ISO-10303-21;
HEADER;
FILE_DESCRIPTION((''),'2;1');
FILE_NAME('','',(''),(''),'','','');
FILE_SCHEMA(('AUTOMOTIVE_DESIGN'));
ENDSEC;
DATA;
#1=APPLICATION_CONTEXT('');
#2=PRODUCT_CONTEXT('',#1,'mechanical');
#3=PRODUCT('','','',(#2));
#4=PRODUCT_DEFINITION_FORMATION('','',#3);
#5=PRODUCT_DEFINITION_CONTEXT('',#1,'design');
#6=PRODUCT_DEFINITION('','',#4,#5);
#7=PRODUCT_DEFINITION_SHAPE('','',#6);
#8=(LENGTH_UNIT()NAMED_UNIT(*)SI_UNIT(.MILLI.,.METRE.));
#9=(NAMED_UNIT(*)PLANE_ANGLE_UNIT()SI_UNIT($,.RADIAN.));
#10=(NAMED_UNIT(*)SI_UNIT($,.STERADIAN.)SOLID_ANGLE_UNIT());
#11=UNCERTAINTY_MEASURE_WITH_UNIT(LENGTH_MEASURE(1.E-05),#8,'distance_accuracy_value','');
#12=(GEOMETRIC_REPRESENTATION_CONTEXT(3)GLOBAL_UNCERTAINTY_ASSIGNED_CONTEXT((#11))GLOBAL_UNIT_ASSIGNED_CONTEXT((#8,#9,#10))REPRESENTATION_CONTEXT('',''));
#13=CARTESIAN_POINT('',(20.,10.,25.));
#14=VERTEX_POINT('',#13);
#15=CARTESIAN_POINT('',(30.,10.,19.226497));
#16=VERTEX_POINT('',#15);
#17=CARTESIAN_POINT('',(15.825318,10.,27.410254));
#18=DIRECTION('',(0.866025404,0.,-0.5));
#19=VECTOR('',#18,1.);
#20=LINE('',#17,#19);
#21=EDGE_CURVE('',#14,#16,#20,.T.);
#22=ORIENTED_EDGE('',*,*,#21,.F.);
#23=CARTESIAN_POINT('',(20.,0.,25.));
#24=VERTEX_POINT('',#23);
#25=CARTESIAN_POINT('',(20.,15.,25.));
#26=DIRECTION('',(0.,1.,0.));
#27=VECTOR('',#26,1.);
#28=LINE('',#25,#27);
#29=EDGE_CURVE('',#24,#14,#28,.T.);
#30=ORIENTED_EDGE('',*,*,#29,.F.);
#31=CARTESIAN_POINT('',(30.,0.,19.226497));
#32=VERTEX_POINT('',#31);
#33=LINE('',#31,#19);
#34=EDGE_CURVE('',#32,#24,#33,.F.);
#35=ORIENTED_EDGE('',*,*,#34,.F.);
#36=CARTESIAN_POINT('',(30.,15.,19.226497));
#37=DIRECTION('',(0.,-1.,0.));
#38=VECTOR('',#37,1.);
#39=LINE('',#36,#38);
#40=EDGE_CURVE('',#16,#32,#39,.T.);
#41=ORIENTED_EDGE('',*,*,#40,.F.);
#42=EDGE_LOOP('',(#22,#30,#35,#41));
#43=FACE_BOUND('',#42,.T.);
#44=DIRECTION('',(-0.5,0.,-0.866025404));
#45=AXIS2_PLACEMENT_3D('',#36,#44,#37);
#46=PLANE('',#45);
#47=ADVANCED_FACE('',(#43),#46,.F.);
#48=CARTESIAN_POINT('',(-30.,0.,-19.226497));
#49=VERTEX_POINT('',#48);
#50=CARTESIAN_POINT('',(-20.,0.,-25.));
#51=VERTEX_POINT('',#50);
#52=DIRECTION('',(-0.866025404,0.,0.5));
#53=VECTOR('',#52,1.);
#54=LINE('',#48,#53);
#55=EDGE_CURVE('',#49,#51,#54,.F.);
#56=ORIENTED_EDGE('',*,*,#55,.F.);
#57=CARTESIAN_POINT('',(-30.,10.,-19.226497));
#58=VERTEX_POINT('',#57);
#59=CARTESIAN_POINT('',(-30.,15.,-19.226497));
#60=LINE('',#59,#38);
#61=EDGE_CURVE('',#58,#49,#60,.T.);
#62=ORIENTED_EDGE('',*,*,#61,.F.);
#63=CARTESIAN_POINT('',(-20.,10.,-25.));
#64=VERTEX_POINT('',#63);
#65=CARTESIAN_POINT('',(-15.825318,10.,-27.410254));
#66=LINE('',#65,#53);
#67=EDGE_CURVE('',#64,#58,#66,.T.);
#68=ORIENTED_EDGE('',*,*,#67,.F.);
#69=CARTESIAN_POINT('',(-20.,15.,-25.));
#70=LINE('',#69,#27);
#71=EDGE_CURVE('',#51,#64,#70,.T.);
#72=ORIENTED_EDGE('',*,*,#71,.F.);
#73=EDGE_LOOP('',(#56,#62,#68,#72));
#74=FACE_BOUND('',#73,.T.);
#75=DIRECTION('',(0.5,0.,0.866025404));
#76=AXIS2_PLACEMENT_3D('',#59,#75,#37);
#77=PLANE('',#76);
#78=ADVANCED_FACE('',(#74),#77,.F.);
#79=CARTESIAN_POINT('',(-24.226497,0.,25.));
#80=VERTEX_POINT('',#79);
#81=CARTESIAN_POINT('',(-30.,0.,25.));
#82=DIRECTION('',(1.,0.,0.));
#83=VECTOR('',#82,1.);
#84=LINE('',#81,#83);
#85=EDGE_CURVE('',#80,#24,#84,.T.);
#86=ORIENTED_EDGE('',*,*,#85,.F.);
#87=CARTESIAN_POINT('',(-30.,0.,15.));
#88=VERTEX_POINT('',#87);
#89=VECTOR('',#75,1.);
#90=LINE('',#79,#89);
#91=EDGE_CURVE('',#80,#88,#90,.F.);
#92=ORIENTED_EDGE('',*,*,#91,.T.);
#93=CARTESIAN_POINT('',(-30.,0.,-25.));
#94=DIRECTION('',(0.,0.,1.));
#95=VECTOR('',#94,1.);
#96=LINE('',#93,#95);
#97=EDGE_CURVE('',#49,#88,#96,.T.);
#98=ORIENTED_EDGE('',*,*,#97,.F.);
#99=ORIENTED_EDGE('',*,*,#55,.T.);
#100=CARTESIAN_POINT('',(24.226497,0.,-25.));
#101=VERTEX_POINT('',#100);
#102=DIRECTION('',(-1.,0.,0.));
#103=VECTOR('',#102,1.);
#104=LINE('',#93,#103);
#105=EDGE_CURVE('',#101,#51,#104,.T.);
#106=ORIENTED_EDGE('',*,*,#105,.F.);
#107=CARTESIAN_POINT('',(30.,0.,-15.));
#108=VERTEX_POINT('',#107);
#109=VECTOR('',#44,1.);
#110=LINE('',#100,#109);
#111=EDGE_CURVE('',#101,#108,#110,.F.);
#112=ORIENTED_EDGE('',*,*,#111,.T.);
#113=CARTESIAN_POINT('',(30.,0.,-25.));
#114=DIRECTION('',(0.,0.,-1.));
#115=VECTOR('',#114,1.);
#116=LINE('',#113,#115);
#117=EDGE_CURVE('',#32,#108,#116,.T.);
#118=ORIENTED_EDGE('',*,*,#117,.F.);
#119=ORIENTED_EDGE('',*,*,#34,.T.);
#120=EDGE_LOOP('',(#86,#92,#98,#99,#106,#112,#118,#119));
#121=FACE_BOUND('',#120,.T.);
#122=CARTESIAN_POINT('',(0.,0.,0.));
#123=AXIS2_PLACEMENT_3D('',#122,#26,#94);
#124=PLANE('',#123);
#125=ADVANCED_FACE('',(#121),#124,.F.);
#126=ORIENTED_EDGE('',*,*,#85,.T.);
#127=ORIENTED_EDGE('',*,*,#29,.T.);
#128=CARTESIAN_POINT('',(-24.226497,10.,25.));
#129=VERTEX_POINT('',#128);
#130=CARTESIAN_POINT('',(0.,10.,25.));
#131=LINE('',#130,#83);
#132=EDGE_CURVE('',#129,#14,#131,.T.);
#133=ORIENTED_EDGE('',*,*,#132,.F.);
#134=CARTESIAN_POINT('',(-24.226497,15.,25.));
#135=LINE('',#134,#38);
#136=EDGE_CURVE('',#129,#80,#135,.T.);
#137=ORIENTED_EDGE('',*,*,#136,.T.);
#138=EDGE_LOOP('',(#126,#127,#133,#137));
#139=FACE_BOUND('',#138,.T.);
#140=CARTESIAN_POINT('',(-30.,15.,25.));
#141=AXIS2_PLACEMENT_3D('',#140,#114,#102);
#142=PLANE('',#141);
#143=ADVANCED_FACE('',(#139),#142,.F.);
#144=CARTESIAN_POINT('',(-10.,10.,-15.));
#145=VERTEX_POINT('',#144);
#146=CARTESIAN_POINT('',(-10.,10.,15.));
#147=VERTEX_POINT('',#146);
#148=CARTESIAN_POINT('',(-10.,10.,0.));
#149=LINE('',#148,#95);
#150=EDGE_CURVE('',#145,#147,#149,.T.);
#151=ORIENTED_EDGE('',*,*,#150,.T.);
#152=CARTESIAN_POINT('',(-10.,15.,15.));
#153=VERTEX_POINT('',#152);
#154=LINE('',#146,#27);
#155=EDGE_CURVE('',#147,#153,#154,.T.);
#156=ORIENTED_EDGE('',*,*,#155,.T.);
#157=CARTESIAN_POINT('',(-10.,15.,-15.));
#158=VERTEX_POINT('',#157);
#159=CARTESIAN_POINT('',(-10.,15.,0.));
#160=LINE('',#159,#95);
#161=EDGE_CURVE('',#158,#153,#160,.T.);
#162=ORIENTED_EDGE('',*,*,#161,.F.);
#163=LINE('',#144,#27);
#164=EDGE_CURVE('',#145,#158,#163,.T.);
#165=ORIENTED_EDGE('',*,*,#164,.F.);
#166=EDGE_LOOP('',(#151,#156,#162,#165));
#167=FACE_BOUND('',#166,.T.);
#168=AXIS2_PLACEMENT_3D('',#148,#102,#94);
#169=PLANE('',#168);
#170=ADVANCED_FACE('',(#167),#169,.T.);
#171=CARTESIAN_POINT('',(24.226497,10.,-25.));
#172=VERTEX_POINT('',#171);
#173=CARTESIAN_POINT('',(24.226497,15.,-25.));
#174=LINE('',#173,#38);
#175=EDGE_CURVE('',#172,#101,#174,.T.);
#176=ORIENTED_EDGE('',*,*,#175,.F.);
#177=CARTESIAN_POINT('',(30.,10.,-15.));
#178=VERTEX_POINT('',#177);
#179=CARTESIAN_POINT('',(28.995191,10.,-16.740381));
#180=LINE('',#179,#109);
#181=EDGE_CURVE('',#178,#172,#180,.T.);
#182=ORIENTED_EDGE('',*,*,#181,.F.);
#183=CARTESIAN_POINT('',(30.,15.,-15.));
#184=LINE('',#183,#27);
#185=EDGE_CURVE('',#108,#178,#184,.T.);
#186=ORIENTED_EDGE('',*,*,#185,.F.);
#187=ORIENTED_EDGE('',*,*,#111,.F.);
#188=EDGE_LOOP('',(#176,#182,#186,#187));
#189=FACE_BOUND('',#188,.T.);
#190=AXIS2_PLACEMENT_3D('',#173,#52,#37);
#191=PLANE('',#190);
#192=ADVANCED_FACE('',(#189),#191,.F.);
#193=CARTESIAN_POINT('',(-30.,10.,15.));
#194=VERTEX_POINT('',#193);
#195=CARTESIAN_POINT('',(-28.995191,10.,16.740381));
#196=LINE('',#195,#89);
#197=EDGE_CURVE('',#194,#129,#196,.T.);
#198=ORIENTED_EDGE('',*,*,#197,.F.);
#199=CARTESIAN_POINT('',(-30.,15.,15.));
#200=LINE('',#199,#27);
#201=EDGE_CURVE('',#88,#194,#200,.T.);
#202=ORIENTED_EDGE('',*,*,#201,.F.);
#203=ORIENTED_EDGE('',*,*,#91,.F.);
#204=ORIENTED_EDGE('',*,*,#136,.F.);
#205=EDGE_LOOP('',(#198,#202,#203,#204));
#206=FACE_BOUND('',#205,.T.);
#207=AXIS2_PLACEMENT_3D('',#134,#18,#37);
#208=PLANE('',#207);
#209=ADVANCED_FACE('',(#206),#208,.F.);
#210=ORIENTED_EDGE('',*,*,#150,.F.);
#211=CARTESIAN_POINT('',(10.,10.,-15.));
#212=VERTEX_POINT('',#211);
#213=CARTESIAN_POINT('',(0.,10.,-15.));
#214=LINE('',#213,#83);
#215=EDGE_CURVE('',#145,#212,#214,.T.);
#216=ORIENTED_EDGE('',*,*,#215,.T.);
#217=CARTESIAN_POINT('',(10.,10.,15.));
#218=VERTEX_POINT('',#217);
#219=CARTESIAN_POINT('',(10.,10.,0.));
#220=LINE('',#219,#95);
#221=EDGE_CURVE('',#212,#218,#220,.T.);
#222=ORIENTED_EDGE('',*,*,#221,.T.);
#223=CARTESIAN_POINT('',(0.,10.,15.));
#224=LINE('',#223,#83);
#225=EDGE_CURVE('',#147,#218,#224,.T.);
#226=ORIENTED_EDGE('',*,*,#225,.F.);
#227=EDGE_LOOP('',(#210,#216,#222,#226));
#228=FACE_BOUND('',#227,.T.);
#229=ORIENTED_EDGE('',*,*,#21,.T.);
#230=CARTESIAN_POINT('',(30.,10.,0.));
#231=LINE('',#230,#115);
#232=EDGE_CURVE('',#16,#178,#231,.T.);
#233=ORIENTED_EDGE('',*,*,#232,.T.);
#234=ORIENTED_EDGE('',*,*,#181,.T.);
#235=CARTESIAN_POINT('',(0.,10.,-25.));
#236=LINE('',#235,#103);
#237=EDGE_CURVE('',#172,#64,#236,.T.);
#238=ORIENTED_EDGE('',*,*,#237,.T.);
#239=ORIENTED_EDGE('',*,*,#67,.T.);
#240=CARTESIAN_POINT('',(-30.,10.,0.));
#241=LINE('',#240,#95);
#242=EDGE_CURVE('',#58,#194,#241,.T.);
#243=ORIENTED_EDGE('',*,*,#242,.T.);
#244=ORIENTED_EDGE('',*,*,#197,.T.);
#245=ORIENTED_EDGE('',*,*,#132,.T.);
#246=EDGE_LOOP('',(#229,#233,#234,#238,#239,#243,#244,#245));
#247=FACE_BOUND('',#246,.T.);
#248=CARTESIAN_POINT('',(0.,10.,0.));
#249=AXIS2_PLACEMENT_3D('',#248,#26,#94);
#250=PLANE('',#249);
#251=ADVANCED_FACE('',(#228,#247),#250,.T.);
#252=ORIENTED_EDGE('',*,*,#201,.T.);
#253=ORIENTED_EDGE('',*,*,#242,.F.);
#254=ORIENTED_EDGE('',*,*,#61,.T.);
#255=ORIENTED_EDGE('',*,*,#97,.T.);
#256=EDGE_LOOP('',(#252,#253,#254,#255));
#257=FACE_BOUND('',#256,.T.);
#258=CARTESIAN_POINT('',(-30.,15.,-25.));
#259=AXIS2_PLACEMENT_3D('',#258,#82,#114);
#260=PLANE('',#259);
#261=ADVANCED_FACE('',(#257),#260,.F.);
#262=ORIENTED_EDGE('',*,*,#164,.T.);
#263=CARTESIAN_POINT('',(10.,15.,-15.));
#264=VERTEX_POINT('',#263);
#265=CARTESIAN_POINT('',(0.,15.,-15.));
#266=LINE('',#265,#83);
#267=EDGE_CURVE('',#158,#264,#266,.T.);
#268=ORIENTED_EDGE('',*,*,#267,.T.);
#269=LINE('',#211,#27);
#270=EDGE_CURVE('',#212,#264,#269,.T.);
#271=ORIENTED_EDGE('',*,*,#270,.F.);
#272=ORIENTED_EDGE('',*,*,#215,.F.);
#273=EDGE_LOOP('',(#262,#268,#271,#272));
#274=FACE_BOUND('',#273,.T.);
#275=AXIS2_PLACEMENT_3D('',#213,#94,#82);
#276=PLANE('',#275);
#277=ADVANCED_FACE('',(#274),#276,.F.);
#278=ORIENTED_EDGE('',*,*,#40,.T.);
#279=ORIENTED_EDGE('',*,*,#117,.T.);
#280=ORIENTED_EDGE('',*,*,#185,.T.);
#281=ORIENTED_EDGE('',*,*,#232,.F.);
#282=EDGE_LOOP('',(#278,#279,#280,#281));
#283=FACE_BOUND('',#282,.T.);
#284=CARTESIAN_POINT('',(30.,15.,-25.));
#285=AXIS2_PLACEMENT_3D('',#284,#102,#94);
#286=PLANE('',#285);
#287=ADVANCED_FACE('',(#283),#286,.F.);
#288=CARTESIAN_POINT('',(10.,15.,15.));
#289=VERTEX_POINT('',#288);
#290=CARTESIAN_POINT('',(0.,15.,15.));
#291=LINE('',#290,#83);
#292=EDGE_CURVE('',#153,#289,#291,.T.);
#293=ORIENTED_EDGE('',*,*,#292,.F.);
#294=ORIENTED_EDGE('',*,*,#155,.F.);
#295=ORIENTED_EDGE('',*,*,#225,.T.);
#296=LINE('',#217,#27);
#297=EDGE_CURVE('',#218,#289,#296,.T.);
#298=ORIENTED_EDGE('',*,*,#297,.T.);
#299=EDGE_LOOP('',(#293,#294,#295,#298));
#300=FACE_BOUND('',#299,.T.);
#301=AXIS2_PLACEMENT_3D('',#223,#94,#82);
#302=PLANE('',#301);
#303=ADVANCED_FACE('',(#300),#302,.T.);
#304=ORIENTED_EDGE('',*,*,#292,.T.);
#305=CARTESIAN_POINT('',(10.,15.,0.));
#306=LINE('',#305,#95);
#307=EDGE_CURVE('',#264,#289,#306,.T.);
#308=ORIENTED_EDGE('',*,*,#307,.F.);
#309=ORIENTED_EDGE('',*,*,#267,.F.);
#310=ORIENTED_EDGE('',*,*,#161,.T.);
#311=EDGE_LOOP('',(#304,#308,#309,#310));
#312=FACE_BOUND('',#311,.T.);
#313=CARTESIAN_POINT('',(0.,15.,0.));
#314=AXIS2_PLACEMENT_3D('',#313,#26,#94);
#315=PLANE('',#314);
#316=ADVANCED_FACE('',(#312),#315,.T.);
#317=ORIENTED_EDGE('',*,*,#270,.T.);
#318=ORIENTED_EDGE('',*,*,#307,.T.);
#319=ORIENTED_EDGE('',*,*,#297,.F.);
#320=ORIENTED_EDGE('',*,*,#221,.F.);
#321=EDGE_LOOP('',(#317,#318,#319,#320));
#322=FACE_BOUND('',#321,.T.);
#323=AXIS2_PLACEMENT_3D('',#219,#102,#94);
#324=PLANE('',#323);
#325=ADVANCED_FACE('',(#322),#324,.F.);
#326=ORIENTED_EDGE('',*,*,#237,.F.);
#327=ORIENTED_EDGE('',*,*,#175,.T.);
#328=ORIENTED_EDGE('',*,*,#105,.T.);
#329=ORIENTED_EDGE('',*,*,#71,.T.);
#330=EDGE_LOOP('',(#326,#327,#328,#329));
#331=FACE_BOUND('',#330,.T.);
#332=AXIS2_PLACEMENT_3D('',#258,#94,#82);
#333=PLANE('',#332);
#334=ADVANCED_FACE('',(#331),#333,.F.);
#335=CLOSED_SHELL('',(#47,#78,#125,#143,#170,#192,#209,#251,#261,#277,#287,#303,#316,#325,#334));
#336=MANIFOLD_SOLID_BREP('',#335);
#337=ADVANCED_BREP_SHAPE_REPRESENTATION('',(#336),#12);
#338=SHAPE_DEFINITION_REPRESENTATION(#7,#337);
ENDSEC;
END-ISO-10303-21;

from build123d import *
from OCP.BRepFilletAPI import BRepFilletAPI_MakeChamfer

# Parameters (mm, degrees)
SKETCH1_W           = 60
SKETCH1_H           = 50
BOSS_EXTRUDE1_DEPTH = 15
CHAMFER1_SIZE       = 10
CHAMFER1_SIZE2      = 5.773502692
SKETCH2_W           = 20
SKETCH2_H           = 30
CUT_EXTRUDE1_DEPTH  = 5


with BuildPart() as part:
    # Sketch1 → Boss-Extrude1 (new body)
    with BuildSketch(Plane(origin=(0, 0, 0), x_dir=(1, 0, 0), z_dir=(0, 1, 0))):
        Rectangle(SKETCH1_W, SKETCH1_H)
    extrude(amount=BOSS_EXTRUDE1_DEPTH)

    # Chamfer1: one chamfer whose edges measure the first distance from different faces: ONE call of the kernel's chamfer builder (chamfer() names one face for all edges)
    chamfer1_edges_1 = [part.edges().sort_by_distance(p)[0] for p in [
        (30, 7.5, 25),
    ]]
    chamfer1_side_1 = [part.faces().sort_by_distance(p)[0] for p in [
        (0, 7.5, 25),
    ]]
    chamfer1_edges_2 = [part.edges().sort_by_distance(p)[0] for p in [
        (-30, 7.5, 25),
    ]]
    chamfer1_side_2 = [part.faces().sort_by_distance(p)[0] for p in [
        (-30, 7.5, 0),
    ]]
    chamfer1_edges_3 = [part.edges().sort_by_distance(p)[0] for p in [
        (-30, 7.5, -25),
    ]]
    chamfer1_side_3 = [part.faces().sort_by_distance(p)[0] for p in [
        (0, 7.5, -25),
    ]]
    chamfer1_edges_4 = [part.edges().sort_by_distance(p)[0] for p in [
        (30, 7.5, -25),
    ]]
    chamfer1_side_4 = [part.faces().sort_by_distance(p)[0] for p in [
        (30, 7.5, 0),
    ]]
    chamfer1 = BRepFilletAPI_MakeChamfer(part.part.solid().wrapped)
    for e in chamfer1_edges_1:
        chamfer1.Add(CHAMFER1_SIZE, CHAMFER1_SIZE2, e.wrapped, chamfer1_side_1[0].wrapped)  # the first distance lies on this face
    for e in chamfer1_edges_2:
        chamfer1.Add(CHAMFER1_SIZE, CHAMFER1_SIZE2, e.wrapped, chamfer1_side_2[0].wrapped)  # the first distance lies on this face
    for e in chamfer1_edges_3:
        chamfer1.Add(CHAMFER1_SIZE, CHAMFER1_SIZE2, e.wrapped, chamfer1_side_3[0].wrapped)  # the first distance lies on this face
    for e in chamfer1_edges_4:
        chamfer1.Add(CHAMFER1_SIZE, CHAMFER1_SIZE2, e.wrapped, chamfer1_side_4[0].wrapped)  # the first distance lies on this face
    add(Compound.cast(chamfer1.Shape()), mode=Mode.REPLACE)

    # Sketch2 → Cut-Extrude1 (cut)
    with BuildSketch(Plane(origin=(0, 15, 0), x_dir=(1, 0, 0), z_dir=(0, 1, 0))):
        Polygon((30, 15), (24.226497308, 25), (-20, 25), (-30, 19.226497308), (-30, -15), (-24.226497308, -25), (20, -25), (30, -19.226497308), align=None)
        Rectangle(SKETCH2_W, SKETCH2_H, mode=Mode.SUBTRACT)
    extrude(amount=-CUT_EXTRUDE1_DEPTH, mode=Mode.SUBTRACT)


solid = part.part
